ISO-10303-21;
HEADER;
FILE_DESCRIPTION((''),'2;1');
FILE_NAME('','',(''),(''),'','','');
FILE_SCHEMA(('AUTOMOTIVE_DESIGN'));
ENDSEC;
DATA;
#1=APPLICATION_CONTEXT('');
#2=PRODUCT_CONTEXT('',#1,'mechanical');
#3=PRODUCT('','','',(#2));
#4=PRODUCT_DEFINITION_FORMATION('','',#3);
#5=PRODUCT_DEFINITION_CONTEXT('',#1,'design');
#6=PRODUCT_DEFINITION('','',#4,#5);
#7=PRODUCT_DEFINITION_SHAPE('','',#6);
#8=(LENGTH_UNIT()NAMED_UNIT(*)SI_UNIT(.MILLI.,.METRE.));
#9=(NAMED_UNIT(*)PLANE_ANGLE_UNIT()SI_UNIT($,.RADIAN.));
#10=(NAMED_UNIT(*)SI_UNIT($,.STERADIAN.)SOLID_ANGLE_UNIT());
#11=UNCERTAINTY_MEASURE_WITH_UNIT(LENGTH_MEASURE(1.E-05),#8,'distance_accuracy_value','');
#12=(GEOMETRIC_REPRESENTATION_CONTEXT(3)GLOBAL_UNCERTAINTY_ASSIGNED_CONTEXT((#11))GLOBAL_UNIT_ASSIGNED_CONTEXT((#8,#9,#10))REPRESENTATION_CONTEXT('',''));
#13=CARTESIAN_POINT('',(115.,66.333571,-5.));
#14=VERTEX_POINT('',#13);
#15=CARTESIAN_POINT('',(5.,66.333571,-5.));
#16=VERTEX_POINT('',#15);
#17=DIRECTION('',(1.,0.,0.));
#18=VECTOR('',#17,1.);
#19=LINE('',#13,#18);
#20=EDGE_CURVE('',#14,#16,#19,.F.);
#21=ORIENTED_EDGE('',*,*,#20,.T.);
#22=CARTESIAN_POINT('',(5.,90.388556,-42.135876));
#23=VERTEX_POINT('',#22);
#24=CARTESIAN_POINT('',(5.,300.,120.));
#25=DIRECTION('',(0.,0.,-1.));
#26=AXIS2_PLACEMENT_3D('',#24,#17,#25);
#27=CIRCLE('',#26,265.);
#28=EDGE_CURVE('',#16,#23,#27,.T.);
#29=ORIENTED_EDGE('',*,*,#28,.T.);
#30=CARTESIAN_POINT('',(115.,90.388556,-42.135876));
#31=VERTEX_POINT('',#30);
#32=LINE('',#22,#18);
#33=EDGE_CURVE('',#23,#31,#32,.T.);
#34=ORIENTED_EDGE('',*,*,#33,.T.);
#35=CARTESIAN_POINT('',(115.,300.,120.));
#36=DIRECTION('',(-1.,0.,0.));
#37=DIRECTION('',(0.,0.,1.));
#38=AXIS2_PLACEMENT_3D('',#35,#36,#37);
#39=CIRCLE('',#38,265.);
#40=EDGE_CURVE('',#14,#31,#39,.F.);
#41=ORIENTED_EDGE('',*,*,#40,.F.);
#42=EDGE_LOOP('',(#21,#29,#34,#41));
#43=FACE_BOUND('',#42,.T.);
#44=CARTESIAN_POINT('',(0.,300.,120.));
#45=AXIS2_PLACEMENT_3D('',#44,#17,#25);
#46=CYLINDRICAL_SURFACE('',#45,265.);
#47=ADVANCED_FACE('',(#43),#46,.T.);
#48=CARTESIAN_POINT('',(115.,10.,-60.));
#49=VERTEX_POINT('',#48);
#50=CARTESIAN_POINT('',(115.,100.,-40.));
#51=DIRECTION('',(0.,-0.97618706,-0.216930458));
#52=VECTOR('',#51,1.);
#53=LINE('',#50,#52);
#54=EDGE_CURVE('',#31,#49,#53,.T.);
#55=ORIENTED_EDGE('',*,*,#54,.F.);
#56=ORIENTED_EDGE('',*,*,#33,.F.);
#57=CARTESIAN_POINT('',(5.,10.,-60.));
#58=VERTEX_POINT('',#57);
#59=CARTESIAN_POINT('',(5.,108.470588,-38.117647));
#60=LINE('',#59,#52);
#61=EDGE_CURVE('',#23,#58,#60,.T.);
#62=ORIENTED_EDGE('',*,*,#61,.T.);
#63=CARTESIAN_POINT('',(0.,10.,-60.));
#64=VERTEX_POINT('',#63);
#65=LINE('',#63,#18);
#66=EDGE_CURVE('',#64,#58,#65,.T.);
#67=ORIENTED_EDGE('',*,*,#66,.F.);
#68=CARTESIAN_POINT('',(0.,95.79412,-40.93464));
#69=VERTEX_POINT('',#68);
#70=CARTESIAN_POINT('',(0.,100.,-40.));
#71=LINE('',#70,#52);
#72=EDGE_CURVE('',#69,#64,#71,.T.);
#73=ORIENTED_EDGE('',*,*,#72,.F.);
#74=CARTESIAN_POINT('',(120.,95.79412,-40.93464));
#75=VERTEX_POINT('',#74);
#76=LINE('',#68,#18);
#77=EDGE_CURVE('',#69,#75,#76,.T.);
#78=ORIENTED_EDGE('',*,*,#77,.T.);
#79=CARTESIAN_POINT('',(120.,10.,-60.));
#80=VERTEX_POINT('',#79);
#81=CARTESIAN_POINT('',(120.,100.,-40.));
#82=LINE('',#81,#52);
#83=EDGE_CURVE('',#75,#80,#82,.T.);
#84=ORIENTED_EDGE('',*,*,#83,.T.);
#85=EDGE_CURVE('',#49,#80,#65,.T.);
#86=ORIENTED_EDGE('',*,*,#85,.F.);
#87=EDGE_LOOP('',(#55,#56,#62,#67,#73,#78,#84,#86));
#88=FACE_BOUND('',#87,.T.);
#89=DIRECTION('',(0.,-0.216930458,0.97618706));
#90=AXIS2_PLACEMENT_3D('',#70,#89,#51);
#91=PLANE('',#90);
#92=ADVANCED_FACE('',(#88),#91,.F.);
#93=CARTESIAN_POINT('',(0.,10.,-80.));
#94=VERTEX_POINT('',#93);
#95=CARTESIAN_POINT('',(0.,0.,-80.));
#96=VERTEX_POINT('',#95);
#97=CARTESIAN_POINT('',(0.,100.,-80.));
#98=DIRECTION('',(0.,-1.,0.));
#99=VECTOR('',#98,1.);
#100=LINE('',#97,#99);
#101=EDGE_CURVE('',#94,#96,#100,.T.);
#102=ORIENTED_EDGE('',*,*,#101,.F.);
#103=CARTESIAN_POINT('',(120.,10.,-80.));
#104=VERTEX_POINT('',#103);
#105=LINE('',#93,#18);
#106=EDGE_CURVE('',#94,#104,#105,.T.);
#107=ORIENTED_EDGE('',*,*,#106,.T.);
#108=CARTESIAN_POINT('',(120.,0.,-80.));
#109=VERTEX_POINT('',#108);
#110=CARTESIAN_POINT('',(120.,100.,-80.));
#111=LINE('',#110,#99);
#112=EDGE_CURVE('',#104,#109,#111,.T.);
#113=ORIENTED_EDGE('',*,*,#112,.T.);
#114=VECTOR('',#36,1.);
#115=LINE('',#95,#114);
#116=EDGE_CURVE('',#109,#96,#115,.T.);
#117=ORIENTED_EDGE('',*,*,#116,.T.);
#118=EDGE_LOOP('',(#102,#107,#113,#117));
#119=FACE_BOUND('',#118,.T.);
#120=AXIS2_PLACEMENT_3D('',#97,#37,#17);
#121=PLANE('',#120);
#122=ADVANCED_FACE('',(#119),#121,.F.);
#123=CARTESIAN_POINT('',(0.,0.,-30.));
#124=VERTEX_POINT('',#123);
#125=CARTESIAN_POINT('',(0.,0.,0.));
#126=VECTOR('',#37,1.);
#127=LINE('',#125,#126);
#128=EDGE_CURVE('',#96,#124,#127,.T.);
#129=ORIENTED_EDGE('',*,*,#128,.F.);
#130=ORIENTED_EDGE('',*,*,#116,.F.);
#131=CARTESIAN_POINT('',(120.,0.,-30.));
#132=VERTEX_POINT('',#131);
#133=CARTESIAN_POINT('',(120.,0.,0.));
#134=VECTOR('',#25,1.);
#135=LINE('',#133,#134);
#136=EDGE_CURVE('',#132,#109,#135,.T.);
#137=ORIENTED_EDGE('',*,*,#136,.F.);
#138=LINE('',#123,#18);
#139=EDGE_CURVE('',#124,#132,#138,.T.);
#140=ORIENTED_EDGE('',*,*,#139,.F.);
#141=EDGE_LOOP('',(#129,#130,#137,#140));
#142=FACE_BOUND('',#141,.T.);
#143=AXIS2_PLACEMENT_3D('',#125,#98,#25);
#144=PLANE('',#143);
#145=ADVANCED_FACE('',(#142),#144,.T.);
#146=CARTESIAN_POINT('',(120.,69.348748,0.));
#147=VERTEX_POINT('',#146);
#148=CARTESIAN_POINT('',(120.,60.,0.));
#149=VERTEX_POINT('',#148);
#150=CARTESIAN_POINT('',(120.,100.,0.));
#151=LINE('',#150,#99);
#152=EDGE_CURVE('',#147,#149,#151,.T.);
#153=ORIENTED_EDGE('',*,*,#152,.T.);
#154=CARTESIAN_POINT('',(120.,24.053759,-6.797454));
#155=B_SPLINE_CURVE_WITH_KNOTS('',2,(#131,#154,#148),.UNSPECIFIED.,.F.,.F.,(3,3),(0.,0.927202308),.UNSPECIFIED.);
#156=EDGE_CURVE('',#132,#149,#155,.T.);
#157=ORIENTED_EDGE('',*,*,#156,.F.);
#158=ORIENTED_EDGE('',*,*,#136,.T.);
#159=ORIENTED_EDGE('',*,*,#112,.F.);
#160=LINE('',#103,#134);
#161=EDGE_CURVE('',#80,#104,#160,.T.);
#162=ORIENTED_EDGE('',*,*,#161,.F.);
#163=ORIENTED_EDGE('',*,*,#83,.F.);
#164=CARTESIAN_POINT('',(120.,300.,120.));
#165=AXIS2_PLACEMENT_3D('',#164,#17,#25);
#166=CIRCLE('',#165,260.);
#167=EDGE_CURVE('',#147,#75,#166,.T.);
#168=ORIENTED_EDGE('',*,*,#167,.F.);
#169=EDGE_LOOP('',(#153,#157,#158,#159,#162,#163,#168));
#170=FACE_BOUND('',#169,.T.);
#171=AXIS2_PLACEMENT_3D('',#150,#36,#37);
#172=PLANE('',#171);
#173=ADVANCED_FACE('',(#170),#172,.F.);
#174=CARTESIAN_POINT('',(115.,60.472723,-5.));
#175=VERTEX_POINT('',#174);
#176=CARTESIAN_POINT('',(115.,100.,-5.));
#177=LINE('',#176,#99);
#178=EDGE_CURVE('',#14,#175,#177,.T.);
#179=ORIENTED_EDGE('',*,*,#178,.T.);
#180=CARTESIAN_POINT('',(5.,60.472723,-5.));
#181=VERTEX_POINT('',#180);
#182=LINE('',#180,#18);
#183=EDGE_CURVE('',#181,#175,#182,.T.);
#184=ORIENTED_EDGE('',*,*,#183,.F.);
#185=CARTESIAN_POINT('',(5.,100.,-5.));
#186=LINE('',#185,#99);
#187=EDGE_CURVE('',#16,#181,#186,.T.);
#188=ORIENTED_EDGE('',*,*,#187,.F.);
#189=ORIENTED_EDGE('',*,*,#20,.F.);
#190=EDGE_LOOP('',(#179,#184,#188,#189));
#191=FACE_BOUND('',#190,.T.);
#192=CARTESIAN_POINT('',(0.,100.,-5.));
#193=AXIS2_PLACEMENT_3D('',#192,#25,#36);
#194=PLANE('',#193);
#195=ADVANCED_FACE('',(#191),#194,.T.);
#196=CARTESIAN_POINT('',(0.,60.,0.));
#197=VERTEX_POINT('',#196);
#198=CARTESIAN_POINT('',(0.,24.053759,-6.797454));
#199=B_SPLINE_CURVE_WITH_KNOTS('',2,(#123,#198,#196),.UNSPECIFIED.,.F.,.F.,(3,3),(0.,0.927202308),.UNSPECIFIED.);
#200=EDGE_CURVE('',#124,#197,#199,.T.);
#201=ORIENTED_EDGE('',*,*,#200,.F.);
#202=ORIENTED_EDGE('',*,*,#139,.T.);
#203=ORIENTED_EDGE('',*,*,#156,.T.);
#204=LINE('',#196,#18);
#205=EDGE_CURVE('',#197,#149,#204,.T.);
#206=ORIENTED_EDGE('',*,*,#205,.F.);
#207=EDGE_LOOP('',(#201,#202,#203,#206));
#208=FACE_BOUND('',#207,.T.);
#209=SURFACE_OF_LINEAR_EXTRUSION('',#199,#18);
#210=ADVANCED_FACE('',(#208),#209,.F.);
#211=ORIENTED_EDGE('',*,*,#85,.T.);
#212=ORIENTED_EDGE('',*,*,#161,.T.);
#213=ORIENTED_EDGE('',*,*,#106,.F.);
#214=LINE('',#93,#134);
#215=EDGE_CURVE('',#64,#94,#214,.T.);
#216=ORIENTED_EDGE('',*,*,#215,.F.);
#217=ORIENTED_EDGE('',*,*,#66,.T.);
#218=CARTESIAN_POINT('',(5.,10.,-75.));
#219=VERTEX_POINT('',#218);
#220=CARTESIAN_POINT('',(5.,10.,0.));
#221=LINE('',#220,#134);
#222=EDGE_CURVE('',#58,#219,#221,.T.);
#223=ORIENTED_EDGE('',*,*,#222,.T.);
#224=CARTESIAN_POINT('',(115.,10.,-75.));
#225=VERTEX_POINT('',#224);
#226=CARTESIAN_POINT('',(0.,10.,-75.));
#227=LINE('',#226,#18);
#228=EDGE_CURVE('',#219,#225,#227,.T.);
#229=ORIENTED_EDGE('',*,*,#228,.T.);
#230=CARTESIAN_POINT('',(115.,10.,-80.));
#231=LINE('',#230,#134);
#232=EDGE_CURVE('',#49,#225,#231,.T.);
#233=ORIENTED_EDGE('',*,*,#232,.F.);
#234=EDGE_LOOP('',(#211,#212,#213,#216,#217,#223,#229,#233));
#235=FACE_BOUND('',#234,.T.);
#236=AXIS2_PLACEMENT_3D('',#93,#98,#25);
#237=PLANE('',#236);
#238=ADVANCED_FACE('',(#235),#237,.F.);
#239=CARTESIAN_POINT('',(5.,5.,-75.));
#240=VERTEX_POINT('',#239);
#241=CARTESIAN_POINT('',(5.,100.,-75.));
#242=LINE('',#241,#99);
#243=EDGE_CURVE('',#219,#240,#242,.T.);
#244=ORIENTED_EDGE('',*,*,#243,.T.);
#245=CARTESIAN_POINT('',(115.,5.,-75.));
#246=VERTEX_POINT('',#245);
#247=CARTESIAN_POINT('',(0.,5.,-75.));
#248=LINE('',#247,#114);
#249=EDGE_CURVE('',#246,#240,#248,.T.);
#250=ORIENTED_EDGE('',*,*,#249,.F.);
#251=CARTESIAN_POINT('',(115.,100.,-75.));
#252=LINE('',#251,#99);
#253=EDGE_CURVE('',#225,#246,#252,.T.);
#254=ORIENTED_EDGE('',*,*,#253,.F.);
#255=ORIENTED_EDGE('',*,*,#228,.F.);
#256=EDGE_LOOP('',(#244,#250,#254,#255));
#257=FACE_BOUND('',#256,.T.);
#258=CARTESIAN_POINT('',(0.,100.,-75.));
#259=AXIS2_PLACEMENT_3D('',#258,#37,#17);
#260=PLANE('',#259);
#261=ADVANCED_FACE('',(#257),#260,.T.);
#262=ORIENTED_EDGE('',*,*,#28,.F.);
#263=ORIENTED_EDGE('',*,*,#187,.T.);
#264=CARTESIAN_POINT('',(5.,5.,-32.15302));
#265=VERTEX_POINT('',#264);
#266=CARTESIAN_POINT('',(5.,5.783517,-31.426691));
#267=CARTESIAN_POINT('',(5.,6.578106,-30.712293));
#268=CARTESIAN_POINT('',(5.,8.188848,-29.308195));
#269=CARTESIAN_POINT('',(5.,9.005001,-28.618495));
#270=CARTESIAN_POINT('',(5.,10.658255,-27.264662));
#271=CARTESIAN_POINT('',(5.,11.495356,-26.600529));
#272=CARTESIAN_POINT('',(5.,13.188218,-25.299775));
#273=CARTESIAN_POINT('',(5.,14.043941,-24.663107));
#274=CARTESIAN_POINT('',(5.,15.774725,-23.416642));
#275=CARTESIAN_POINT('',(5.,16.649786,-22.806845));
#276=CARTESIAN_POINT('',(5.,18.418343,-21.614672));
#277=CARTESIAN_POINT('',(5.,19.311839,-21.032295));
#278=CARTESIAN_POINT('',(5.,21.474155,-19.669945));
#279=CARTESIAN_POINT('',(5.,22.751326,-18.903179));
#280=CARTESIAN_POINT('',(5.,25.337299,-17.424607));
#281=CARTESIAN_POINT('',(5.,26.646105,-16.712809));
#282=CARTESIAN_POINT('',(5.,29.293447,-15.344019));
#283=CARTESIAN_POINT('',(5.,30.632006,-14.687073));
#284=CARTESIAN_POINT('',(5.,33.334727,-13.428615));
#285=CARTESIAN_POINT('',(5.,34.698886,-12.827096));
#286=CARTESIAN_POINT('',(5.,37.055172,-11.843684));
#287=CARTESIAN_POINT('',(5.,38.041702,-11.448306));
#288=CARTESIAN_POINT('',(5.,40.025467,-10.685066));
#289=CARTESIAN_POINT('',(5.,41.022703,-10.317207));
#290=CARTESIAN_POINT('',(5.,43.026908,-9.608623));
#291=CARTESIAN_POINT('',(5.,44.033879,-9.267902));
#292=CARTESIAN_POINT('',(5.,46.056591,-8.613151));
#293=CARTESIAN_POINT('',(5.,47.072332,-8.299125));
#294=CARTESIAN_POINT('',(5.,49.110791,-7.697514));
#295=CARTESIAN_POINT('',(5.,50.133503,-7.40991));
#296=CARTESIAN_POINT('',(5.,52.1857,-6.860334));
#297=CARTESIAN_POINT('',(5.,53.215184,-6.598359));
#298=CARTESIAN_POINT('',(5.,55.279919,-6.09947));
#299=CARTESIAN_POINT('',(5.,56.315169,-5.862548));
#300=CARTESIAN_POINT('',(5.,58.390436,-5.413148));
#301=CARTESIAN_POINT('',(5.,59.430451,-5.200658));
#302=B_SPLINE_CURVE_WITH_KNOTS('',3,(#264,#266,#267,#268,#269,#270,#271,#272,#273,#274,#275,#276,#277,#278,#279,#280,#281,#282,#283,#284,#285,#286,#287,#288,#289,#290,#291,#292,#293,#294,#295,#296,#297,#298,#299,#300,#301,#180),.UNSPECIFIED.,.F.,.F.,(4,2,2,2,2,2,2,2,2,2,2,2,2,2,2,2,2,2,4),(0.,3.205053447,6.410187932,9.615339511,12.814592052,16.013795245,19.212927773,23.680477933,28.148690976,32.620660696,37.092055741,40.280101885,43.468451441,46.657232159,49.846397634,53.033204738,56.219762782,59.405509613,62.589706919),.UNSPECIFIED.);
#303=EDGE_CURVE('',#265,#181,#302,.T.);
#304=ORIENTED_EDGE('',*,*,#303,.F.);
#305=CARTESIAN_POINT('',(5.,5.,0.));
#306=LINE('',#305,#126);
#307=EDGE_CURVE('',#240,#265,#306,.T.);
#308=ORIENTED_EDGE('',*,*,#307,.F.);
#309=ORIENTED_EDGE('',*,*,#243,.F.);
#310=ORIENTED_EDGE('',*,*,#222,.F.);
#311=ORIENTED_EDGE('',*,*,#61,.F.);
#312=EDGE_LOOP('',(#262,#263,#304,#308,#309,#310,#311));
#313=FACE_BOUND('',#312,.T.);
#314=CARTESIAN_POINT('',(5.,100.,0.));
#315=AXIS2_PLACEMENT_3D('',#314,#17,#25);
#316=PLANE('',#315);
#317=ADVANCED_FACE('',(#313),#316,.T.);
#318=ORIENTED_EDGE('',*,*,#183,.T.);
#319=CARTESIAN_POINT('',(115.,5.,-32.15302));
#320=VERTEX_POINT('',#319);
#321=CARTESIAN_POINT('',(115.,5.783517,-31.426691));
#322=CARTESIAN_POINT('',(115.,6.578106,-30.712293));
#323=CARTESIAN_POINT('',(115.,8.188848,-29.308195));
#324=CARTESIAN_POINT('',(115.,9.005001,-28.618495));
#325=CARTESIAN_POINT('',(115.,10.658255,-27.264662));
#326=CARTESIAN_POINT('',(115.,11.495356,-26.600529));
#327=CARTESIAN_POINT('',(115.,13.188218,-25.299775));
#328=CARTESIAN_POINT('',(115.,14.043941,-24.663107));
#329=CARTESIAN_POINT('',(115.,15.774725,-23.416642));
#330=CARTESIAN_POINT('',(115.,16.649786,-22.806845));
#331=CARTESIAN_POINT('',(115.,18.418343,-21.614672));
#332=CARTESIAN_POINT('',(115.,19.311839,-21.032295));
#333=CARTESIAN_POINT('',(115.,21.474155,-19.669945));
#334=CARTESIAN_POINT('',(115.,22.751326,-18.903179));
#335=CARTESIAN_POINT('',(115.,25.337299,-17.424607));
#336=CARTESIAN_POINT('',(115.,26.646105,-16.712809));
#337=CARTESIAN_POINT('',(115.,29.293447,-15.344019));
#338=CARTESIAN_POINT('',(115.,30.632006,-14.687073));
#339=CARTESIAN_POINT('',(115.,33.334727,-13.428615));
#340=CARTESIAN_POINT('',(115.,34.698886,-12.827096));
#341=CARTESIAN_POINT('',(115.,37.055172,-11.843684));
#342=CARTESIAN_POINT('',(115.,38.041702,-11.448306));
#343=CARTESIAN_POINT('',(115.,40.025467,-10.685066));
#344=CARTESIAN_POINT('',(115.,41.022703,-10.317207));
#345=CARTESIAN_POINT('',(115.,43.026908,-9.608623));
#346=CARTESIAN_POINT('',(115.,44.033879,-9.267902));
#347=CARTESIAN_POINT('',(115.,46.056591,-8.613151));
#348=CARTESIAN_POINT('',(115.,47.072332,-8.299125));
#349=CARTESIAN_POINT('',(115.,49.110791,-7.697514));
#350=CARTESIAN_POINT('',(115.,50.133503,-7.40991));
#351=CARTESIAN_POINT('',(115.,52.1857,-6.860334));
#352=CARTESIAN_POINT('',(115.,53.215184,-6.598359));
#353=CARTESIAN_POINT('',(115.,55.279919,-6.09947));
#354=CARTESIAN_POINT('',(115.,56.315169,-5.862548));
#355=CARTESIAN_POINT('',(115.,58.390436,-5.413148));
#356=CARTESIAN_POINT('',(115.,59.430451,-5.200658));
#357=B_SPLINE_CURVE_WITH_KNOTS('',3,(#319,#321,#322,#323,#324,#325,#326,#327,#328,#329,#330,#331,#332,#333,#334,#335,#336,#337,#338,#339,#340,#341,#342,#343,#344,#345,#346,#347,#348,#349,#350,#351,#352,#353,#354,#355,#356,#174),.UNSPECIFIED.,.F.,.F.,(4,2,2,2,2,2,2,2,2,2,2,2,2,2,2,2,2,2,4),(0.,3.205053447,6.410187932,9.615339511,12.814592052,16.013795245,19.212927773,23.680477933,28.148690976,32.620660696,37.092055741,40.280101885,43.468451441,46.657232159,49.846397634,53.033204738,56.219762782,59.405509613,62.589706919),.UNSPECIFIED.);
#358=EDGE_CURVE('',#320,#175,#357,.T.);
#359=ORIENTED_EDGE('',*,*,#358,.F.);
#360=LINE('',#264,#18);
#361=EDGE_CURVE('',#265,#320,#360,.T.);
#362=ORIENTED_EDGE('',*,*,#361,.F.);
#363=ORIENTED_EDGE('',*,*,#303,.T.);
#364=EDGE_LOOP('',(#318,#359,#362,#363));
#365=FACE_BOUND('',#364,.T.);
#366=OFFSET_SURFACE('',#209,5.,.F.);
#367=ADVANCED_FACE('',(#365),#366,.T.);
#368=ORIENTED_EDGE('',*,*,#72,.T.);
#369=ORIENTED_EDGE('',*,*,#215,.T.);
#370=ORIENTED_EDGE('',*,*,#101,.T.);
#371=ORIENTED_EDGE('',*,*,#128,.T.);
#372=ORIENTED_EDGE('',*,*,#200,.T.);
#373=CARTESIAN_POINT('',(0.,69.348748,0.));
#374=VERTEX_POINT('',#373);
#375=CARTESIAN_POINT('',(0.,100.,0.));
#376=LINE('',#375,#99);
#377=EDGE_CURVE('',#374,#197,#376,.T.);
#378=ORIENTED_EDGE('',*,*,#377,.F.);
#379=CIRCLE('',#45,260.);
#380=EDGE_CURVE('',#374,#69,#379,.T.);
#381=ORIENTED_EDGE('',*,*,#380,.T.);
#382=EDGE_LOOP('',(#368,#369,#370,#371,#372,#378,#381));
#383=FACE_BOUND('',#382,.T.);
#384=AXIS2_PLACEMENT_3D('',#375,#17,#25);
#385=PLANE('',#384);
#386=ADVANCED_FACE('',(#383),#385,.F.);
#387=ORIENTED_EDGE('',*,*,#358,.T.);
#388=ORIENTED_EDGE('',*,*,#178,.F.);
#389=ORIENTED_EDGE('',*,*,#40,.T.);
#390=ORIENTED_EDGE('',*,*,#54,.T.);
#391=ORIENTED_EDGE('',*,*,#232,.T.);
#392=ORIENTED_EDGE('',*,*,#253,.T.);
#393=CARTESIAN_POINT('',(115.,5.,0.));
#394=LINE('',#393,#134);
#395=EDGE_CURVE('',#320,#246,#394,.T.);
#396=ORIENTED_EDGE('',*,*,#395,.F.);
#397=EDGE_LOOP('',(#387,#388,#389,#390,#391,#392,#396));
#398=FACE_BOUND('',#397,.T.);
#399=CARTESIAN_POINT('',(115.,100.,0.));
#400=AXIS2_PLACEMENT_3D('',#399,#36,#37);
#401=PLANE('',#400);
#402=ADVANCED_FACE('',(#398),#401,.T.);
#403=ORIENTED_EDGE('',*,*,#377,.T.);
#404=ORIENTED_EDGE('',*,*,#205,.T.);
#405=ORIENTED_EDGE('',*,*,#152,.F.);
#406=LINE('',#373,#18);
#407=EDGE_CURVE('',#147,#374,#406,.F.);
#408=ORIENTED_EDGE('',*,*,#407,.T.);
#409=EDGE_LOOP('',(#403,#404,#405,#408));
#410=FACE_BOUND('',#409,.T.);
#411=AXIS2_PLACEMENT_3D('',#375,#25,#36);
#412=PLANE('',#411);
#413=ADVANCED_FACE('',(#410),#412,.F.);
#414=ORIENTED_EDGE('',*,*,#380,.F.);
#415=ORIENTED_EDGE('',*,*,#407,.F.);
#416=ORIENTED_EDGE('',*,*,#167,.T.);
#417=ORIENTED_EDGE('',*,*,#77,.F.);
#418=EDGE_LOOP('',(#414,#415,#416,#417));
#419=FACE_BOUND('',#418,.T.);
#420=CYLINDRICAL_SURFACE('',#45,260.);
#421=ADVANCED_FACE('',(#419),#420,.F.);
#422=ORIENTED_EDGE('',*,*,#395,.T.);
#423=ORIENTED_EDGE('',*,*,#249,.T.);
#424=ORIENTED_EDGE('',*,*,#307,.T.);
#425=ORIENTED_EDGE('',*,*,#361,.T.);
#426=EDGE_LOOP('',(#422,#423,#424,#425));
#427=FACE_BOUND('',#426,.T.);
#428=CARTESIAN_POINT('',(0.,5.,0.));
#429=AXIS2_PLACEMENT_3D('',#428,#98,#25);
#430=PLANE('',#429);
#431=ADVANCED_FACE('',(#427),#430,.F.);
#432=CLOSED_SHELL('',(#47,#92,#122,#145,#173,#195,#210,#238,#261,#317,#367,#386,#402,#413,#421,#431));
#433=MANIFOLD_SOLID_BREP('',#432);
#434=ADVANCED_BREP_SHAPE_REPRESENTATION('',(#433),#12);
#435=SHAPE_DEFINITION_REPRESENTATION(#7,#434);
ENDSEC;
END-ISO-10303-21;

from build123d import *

# Parameters (mm, degrees)
SKETCH1_W           = 120
SKETCH1_H           = 80
BOSS_EXTRUDE1_DEPTH = 100
CUT_EXTRUDE1_DEPTH  = 176.499287748
SKETCH3_R           = 260
CUT_EXTRUDE2_DEPTH  = 176.499287919
SHELL1_T            = -5


with BuildPart() as part:
    # Sketch1 → Boss-Extrude1 (new body)
    with BuildSketch(Plane(origin=(0, 0, 0), x_dir=(1, 0, 0), z_dir=(0, 1, 0))):
        with Locations((60, 40)):
            Rectangle(SKETCH1_W, SKETCH1_H)
    extrude(amount=BOSS_EXTRUDE1_DEPTH)

    # Sketch2 → Cut-Extrude1 (cut, through all)
    with BuildSketch(Plane(origin=(120, 0, 0), x_dir=(0, 0, -1), z_dir=(1, 0, 0))):
        Polygon((80, 10), (60, 10), (40, 100), (80, 100), align=None)
        with BuildLine():
            Line((0, 60), (0, 0))
            Line((0, 0), (30, 0))
            add(Edge.make_bspline(
                [(0, 60), (6.797454451, 24.053758825), (30, 0)],
                knots=[0, 0, 0, 0.927202308, 0.927202308, 0.927202308], degree=2))
        make_face()
    extrude(amount=-CUT_EXTRUDE1_DEPTH, mode=Mode.SUBTRACT)

    # Sketch3 → Cut-Extrude2 (cut, through all)
    with BuildSketch(Plane(origin=(120, 0, 0), x_dir=(0, 0, -1), z_dir=(1, 0, 0))):
        with Locations((-120, 300)):
            Circle(SKETCH3_R)
    extrude(amount=-CUT_EXTRUDE2_DEPTH, mode=Mode.SUBTRACT)

    # Shell1
    shell1_openings = [part.faces().sort_by_distance(p)[0] for p in [
        (60, 10, -70),
        (60, 52.897059769, -50.467320051),
    ]]
    offset(amount=SHELL1_T, openings=shell1_openings, kind=Kind.INTERSECTION)


solid = part.part
